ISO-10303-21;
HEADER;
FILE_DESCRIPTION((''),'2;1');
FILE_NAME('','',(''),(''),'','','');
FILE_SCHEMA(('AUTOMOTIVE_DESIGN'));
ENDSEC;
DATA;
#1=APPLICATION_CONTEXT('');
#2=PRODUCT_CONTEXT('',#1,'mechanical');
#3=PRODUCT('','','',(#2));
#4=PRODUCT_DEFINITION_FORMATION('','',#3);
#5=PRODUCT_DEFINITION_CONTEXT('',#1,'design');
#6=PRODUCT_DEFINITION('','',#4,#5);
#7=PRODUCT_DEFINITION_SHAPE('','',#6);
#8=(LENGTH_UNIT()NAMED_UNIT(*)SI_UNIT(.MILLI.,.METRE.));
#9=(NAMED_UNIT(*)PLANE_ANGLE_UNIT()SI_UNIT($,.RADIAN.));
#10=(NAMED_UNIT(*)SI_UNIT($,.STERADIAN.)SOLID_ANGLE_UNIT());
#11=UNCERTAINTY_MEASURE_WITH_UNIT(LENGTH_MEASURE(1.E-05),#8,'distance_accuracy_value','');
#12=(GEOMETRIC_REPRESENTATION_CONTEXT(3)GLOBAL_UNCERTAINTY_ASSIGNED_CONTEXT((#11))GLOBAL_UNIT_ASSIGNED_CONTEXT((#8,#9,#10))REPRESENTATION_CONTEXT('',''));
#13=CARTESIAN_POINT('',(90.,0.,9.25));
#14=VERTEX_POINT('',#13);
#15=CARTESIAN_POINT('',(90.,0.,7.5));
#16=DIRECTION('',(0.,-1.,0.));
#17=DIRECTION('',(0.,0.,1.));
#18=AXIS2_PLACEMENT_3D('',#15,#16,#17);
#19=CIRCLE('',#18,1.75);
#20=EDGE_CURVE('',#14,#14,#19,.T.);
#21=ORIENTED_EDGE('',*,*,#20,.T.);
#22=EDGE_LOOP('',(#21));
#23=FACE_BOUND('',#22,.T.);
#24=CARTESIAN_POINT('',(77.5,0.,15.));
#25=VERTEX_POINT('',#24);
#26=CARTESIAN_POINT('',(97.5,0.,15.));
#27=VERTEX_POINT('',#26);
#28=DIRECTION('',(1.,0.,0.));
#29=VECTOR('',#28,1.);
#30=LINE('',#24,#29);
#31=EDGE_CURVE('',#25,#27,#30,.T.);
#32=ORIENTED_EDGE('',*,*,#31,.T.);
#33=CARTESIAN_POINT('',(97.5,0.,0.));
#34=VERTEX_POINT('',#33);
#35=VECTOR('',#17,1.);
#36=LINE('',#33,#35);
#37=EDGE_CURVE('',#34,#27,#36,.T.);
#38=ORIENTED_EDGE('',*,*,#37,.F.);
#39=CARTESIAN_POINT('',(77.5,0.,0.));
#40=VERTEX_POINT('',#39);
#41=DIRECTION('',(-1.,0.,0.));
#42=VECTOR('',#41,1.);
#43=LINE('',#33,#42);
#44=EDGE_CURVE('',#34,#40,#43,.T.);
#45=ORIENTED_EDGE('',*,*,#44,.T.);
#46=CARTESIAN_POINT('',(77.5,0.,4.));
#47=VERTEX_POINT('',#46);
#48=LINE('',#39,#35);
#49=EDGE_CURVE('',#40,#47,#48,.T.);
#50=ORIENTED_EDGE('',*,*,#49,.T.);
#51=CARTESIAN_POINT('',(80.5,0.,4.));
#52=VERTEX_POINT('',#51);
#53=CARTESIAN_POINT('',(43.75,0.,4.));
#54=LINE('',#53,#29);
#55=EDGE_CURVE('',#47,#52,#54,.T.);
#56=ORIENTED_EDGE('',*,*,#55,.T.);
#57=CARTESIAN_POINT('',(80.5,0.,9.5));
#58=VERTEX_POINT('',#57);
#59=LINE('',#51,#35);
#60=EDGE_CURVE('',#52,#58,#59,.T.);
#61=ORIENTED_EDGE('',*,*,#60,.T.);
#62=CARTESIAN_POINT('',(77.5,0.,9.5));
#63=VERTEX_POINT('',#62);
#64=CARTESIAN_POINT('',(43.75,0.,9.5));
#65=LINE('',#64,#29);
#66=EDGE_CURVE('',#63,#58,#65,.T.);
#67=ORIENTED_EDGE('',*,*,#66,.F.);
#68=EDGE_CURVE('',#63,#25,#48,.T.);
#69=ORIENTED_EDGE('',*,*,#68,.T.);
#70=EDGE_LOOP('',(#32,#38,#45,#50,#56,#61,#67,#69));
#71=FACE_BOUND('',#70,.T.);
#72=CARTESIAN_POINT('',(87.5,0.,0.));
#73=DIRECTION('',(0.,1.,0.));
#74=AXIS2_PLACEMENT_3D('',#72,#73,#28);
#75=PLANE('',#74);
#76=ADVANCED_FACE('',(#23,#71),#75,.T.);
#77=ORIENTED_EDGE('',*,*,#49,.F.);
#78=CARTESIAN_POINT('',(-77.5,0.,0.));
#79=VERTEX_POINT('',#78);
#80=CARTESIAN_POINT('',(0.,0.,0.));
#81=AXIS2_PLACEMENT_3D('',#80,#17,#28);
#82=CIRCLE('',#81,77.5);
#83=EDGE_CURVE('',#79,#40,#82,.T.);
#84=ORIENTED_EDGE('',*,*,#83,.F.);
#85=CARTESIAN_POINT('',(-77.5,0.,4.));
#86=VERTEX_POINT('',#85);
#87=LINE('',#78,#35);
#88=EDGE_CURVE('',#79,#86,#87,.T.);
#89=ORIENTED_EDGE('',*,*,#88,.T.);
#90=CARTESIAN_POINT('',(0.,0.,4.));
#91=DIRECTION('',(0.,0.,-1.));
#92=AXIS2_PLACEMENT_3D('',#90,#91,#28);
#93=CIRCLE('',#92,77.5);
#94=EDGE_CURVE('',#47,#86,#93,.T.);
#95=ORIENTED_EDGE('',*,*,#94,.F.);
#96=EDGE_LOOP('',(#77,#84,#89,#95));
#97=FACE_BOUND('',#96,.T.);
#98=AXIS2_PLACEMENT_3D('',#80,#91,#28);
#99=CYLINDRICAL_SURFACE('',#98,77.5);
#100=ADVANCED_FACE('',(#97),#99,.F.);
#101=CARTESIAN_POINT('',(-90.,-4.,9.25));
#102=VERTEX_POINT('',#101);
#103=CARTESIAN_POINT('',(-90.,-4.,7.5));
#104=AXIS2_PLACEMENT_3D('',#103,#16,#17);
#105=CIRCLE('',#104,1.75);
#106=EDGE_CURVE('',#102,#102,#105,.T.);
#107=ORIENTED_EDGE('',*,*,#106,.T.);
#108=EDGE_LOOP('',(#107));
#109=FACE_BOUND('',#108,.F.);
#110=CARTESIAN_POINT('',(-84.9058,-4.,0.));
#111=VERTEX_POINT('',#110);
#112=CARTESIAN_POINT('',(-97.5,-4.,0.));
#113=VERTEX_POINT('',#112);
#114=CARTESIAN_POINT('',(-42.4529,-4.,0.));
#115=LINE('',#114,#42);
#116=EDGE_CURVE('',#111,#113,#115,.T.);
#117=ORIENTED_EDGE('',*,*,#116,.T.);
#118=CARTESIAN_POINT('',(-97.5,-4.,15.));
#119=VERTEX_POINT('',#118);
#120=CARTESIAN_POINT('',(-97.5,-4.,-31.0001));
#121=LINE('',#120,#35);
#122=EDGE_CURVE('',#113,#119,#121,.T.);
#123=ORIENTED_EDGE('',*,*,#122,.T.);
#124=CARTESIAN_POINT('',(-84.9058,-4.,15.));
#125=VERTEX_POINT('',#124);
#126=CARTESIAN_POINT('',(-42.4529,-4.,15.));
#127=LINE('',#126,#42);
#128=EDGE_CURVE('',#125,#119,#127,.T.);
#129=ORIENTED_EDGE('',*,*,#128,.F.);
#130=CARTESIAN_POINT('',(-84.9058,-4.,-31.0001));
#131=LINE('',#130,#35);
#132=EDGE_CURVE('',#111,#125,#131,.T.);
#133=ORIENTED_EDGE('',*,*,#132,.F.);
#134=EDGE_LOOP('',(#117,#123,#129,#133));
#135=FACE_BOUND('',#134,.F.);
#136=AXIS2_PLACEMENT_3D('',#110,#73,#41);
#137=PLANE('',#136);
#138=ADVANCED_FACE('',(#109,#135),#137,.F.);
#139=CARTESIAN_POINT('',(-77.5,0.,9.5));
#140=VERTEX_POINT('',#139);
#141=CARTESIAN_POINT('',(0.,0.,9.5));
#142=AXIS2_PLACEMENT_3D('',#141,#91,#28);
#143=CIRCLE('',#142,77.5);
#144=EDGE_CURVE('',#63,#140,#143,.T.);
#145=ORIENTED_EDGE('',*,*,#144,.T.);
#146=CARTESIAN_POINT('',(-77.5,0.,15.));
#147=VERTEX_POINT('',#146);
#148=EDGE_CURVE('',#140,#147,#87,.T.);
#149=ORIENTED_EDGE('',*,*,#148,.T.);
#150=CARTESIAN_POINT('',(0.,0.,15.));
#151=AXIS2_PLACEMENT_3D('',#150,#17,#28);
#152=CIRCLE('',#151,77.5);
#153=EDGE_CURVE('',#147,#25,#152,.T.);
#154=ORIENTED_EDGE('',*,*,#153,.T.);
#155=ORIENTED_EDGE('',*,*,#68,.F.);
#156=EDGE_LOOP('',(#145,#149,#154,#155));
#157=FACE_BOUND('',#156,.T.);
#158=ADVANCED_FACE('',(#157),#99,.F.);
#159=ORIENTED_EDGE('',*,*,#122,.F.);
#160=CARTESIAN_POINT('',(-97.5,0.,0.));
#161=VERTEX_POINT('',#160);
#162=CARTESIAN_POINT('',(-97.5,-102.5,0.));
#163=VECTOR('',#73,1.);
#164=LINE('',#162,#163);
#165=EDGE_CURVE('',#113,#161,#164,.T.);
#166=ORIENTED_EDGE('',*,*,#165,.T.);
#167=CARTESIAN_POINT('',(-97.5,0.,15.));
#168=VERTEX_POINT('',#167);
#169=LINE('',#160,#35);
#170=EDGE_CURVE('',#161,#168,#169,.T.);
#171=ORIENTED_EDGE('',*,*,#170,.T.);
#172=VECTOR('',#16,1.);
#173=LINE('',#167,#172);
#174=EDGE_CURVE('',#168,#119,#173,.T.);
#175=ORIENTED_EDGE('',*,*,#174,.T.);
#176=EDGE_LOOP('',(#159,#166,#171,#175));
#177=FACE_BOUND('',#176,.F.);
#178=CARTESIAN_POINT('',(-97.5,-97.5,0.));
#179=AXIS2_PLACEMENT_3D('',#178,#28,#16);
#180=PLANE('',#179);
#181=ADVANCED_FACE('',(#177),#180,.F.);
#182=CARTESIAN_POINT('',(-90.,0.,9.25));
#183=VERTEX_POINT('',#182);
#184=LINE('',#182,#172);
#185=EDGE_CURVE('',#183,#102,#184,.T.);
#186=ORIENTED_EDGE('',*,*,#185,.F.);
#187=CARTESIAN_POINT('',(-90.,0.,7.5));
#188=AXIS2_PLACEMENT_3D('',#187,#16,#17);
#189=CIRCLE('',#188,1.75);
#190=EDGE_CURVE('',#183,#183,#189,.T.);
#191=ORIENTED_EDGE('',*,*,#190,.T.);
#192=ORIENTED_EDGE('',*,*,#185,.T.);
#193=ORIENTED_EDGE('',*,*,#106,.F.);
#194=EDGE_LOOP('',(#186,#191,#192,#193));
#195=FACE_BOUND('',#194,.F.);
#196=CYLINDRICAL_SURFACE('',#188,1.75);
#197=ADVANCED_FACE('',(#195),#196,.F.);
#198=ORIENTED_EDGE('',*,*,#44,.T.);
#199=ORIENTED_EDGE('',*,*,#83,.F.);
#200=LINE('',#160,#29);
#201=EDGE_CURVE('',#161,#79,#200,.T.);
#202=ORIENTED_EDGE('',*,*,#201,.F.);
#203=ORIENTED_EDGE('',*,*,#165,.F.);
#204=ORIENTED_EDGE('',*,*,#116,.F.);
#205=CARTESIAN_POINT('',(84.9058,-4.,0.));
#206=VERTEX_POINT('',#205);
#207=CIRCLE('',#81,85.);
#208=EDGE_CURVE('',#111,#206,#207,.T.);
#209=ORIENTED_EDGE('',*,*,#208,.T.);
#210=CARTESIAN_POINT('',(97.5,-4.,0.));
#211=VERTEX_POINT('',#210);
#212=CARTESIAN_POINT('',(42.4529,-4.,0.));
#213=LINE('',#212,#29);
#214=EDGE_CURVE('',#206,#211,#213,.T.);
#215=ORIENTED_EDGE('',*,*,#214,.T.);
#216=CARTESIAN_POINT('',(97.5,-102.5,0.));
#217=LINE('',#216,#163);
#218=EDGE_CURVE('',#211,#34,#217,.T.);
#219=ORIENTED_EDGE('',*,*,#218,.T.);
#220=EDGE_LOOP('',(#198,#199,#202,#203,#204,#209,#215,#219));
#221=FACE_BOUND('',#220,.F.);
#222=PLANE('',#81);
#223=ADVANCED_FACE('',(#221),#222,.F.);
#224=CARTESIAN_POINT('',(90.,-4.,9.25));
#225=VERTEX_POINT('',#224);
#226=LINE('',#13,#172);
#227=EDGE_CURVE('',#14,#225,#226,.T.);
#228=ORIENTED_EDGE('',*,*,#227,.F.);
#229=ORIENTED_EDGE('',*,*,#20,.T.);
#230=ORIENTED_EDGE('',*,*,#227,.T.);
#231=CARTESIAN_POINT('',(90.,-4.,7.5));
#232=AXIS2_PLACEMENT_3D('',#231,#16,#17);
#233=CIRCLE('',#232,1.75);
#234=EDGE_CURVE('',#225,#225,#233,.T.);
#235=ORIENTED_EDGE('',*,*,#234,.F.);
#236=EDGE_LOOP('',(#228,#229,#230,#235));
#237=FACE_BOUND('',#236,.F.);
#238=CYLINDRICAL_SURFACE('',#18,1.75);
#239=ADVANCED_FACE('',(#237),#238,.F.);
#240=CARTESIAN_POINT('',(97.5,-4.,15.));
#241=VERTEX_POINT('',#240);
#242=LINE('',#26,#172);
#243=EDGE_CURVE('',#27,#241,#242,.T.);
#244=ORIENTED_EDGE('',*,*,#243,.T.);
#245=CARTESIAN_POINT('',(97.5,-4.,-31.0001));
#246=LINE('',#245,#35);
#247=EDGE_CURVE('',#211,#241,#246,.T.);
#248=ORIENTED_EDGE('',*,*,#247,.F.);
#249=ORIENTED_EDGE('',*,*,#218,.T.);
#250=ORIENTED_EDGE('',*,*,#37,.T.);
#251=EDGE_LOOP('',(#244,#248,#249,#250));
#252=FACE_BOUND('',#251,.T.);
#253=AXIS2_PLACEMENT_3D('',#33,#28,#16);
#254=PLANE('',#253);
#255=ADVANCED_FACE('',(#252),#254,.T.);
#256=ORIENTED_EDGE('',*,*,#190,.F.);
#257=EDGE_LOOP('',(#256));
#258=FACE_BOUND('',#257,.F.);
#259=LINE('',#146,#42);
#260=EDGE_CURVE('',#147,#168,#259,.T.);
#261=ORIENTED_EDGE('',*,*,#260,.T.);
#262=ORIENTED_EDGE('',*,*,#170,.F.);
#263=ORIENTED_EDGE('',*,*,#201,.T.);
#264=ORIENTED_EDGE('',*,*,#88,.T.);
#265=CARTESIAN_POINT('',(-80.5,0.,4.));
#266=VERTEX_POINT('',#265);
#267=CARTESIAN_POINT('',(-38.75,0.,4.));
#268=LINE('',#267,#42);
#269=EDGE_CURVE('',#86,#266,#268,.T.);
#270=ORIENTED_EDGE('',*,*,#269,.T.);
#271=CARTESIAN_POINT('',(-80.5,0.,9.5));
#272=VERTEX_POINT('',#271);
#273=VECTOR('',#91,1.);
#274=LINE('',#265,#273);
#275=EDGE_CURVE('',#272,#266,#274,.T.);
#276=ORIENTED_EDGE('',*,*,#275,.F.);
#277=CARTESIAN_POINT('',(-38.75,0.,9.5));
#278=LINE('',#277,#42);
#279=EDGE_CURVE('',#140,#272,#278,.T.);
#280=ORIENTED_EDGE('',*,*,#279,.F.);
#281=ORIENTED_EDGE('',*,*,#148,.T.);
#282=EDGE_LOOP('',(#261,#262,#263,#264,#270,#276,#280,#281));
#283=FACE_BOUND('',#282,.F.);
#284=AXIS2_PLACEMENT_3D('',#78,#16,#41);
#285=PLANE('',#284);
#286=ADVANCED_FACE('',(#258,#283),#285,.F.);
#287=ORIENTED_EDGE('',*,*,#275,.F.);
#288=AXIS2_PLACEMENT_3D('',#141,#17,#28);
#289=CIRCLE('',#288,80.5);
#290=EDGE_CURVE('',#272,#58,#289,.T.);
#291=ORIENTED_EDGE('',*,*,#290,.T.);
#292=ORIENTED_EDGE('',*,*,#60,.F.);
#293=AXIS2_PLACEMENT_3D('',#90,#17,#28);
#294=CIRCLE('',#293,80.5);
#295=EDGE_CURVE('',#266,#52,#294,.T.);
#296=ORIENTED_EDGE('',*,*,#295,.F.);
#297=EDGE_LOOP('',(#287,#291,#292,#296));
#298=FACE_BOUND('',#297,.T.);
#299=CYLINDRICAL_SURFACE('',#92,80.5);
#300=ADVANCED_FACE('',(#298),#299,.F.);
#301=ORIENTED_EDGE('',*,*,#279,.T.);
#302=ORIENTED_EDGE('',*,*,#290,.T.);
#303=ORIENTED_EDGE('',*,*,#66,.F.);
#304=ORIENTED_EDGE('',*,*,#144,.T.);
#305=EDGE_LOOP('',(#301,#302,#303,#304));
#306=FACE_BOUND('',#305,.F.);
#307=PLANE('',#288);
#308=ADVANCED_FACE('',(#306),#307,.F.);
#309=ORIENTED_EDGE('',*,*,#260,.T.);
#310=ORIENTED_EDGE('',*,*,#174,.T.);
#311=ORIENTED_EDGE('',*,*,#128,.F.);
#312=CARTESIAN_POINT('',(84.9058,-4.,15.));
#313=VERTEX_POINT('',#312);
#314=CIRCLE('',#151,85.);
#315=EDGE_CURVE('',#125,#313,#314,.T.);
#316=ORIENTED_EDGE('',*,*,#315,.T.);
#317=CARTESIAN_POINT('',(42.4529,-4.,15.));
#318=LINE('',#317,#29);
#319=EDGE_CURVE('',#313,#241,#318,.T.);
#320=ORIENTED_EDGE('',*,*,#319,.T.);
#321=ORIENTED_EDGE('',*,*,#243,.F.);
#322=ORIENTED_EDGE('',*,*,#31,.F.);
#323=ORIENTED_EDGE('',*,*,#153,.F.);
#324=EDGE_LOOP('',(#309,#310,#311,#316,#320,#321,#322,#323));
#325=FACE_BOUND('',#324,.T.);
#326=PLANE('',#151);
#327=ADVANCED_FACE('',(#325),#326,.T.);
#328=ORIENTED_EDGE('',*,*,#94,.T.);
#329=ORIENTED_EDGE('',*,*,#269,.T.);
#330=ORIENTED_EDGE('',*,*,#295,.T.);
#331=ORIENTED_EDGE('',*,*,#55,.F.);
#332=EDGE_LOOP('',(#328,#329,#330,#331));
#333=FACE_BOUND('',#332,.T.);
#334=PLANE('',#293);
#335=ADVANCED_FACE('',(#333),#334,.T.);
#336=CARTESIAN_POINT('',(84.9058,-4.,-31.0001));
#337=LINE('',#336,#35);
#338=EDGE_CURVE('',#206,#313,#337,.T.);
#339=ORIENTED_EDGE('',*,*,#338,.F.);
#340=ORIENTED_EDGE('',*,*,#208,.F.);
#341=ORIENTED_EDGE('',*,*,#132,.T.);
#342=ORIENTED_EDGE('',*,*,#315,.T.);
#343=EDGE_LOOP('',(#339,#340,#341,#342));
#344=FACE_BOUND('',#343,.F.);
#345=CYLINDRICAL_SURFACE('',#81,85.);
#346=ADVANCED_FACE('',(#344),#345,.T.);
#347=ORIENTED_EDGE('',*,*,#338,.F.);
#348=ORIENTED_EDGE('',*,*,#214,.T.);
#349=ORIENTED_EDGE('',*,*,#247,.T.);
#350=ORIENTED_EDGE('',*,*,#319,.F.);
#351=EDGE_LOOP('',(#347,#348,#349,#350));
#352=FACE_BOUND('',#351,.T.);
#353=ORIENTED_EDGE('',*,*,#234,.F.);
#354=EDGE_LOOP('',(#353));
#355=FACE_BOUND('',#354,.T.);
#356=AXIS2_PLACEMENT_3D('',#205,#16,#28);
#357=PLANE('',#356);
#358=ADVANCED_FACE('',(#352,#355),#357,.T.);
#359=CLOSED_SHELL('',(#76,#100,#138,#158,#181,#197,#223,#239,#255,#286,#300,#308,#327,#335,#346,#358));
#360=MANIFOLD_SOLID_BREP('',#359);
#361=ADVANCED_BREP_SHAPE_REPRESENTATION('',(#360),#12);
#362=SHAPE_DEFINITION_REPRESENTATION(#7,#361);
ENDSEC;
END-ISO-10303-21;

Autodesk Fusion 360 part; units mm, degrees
sketch "Sketch1" plane through (0, 0, 0) normal (0, 0, 1) x (1, 0, 0)
  circle A0 centre (0, 0) radius 87.5
  circle A1 centre (0, 0) radius 77.5
  line L0 (77.5, 0) -> (97.5, 0)
  line L1 (97.5, 0) -> (97.5, -97.5)
  line L2 (97.5, -97.5) -> (77.5, -97.5)
  line L3 (77.5, -97.5) -> (77.5, 0)
  line L4 (-77.5, 0) -> (-97.5, 0)
  line L5 (-97.5, 0) -> (-97.5, -97.5)
  line L6 (-97.5, -97.5) -> (-77.5, -97.5)
  line L7 (-77.5, -97.5) -> (-77.5, 0)
  line L8 (97.5, -97.5) -> (-97.5, -97.5)
  line L9 (-97.5, -97.5) -> (-97.5, -102.5)
  line L10 (-97.5, -102.5) -> (97.5, -102.5)
  line L11 (97.5, -102.5) -> (97.5, -97.5)
  dimension "d1" = 155
  dimension "d2" = 175
  dimension "d15" = 97.5
  dimension "d16" = 5
  dimension "d17" = 10
  dimension "d18" = 20
  dimension "d19" = 20
extrude "Extrude1" add sketch "Sketch1" along normal blind 15 contours A0 L0 L1 L2 L3 L8 | A0 L0 L3 | A0 L4 L7 | A0 L4 L5 L6 L7 L8 | A0 L3 L7 L8 | A0 A1 L3 L7 | L2 L6 L8 L9 L10 L11
sketch "Sketch2" plane through (0, 0, 0) normal (0, 0, 1) x (1, 0, 0)
  circle A0 centre (0, 0) radius 80.5
  dimension "d10" = 161
extrude "Extrude2" cut sketch "Sketch2" along normal blind 5.5 from surface at 4
sketch "Sketch3" plane through (0, 0, 15) normal (0, 0, 1) x (-1, 0, 0)
  line L0 (77.5, 0) -> (97.5, 0)
  line L1 (97.5, 0) -> (97.5, 102.5)
  line L2 (97.5, 102.5) -> (-97.5, 102.5)
  line L3 (-97.5, 102.5) -> (-97.5, 0)
  line L4 (-97.5, 0) -> (-77.5, 0)
  arc A0 (77.5, 0) -> (-77.5, 0) centre (0, 0) ccw
  line L5 (-30, 102.5) -> (30, 102.5)
  line L6 (30, 102.5) -> (30, 97.5)
  line L7 (30, 97.5) -> (-30, 97.5)
  line L8 (-30, 97.5) -> (-30, 102.5)
  dimension "d22" = 30
  dimension "d23" = 30
extrude "Extrude3" add sketch "Sketch3" along normal blind 30 contours L2 L5 L6 L7 L8
fillet "Fillet2" radius 15 4 edges at (-30, -100, 45) (30, -100, 45) (-30, -100, 15) (30, -100, 15)
sketch "Sketch4" plane through (0, -97.5, 0) normal (0, 1, 0) x (-1, 0, 0)
  arc A0 (-15, 45) -> (-30, 30) centre (-15, 30) ccw
  arc A1 (-45, 15) -> (-30, 30) centre (-45, 30) ccw
  line L0 (-45, 15) -> (45, 15)
  arc A2 (30, 30) -> (45, 15) centre (45, 30) ccw
  arc A3 (30, 30) -> (15, 45) centre (15, 30) ccw
  line L1 (15, 45) -> (-15, 45)
  line L2 (-97.5, 7.5) -> (97.5, 7.5) construction
  line L3 (-45, 0) -> (45, 0)
  line L4 (15, -30) -> (-15, -30)
  arc A4 (15, -30) -> (30, -15) centre (15, -15) ccw
  arc A5 (45, 0) -> (30, -15) centre (45, -15) ccw
  arc A6 (-30, -15) -> (-15, -30) centre (-15, -15) ccw
  arc A7 (-30, -15) -> (-45, 0) centre (-45, -15) ccw
  point P0 (0, 30)
  point P1 (-97.5, 7.5)
  point P2 (97.5, 7.5)
  point P3 (0, -15)
  dimension "d28" = 15
sketch "Sketch5" plane through (0, 0, 0) normal (0, 0, -1) x (1, 0, 0)
  line L0 (-97.5, 0) -> (-77.5, 0)
  arc A0 (77.5, 0) -> (-77.5, 0) centre (0, 0) ccw
  line L1 (77.5, 0) -> (97.5, 0)
  line L2 (97.5, 0) -> (97.5, 102.5)
  line L3 (97.5, 102.5) -> (-97.5, 102.5)
  line L4 (-97.5, 102.5) -> (-97.5, 0)
  line L5 (80, 102.5) -> (-80, 102.5)
  line L6 (-80, 102.5) -> (-80, 97.5)
  line L7 (-80, 97.5) -> (80, 97.5)
  line L8 (80, 97.5) -> (80, 102.5)
  dimension "d39" = 80
  dimension "d40" = 80
extrude "Extrude4" add sketch "Sketch5" along normal blind 30 contours L3 L5 L6 L7 L8
fillet "Fillet4" radius 15 4 edges at (80, -100, -30) (-80, -100, -30) (-80, -100, 0) (80, -100, 0)
sketch "Sketch6" plane through (0, -97.5, 0) normal (0, 1, 0) x (-1, 0, 0)
  arc A0 (65, -30) -> (80, -15) centre (65, -15) ccw
  arc A1 (95, 0) -> (80, -15) centre (95, -15) ccw
  line L0 (95, 0) -> (-95, 0)
  arc A2 (-80, -15) -> (-95, 0) centre (-95, -15) ccw
  arc A3 (-80, -15) -> (-65, -30) centre (-65, -15) ccw
  line L1 (-65, -30) -> (65, -30)
  line L2 (-77.5, 15) -> (77.5, 15)
  point P0 (0, -15)
  point P1 (0, 30)
  point P2 (50, -15)
  point P3 (-50, -15)
  dimension "d49" = 15
  dimension "d50" = 15
  dimension "d53" = 50
  dimension "d54" = 50
hole "Hole2" at (0, -97.5, -15) at (0, -97.5, 30) at (-50, -97.5, -15) at (50, -97.5, -15) direction (0, -1, 0) diameter 4 end through all
sketch "Sketch7" plane through (0, 0, 0) normal (0, 1, 0) x (-1, 0, 0)
  line L0 (77.5, 9.5) -> (80.5, 9.5)
  line L1 (80.5, 9.5) -> (80.5, 4)
  line L2 (80.5, 4) -> (77.5, 4)
  line L3 (77.5, 4) -> (77.5, 0)
  line L4 (77.5, 0) -> (97.5, 0)
  line L5 (97.5, 0) -> (97.5, 15)
  line L6 (97.5, 15) -> (77.5, 15)
  line L7 (77.5, 15) -> (77.5, 9.5)
  line L8 (-77.5, 0) -> (-97.5, 0)
  line L9 (-97.5, 0) -> (-97.5, 15)
  point P0 (90, 7.5)
  point P1 (-90, 7.5)
  dimension "d55" = 7.5
  dimension "d56" = 7.5
  dimension "d57" = 7.5
  dimension "d58" = 7.5
hole "Hole3" at (-90, 0, 7.5) at (90, 0, 7.5) direction (0, -1, 0) diameter 3.5 depth 15 tip angle 180
fillet "Fillet5" radius 10 2 edges at (0, -97.5, 0) (0, -97.5, 15)
sketch "Sketch8" plane through (0, 0, 0) normal (0, 0, -1) x (1, 0, 0)
  line L0 (-95, 87.5) -> (-95, 102.5)
  line L1 (-95, 102.5) -> (-97.5, 102.5)
  line L2 (-97.5, 102.5) -> (-97.5, 0)
  line L3 (-97.5, 0) -> (-77.5, 0)
  arc A0 (77.5, 0) -> (-77.5, 0) centre (0, 0) ccw
  line L4 (77.5, 0) -> (97.5, 0)
  line L5 (97.5, 0) -> (97.5, 102.5)
  line L6 (97.5, 102.5) -> (95, 102.5)
  line L7 (95, 102.5) -> (95, 87.5)
  line L8 (95, 87.5) -> (-95, 87.5)
  circle A1 centre (0, 0) radius 85
  line L9 (97.5, 0) -> (84.9058, 0)
  line L10 (84.9058, 0) -> (84.9058, 4)
  line L11 (84.9058, 4) -> (97.5, 4)
  line L12 (97.5, 4) -> (97.5, 0)
  line L13 (-97.5, 0) -> (-84.9058, 0)
  line L14 (-84.9058, 0) -> (-84.9058, 4)
  line L15 (-84.9058, 4) -> (-97.5, 4)
  line L16 (-97.5, 4) -> (-97.5, 0)
  line L17 (-97.5, 4) -> (97.5, 4)
  line L18 (97.5, 4) -> (97.5, 102.5)
  line L19 (97.5, 102.5) -> (-97.5, 102.5)
  line L20 (-97.5, 102.5) -> (-97.5, 4)
  dimension "d64" = 170
  dimension "d65" = 4
  dimension "d66" = 4
extrude "Extrude5" cut sketch "Sketch8" along normal through all and the other way through all contours L0 L1 L2 L5 L6 L7 L8 A1 L11 L15 L17 L18 L19 L20 | L0 L7 L8 L19
equation "d15 = d2 / 2 + 10 mm"
equation "d18 = d17 + 10 mm"
equation "d19 = d18"
equation "d23 = d22"
equation "d40 = d39"
equation "d56 = d55"
equation "d58 = d57"
equation "d66 = d65"
